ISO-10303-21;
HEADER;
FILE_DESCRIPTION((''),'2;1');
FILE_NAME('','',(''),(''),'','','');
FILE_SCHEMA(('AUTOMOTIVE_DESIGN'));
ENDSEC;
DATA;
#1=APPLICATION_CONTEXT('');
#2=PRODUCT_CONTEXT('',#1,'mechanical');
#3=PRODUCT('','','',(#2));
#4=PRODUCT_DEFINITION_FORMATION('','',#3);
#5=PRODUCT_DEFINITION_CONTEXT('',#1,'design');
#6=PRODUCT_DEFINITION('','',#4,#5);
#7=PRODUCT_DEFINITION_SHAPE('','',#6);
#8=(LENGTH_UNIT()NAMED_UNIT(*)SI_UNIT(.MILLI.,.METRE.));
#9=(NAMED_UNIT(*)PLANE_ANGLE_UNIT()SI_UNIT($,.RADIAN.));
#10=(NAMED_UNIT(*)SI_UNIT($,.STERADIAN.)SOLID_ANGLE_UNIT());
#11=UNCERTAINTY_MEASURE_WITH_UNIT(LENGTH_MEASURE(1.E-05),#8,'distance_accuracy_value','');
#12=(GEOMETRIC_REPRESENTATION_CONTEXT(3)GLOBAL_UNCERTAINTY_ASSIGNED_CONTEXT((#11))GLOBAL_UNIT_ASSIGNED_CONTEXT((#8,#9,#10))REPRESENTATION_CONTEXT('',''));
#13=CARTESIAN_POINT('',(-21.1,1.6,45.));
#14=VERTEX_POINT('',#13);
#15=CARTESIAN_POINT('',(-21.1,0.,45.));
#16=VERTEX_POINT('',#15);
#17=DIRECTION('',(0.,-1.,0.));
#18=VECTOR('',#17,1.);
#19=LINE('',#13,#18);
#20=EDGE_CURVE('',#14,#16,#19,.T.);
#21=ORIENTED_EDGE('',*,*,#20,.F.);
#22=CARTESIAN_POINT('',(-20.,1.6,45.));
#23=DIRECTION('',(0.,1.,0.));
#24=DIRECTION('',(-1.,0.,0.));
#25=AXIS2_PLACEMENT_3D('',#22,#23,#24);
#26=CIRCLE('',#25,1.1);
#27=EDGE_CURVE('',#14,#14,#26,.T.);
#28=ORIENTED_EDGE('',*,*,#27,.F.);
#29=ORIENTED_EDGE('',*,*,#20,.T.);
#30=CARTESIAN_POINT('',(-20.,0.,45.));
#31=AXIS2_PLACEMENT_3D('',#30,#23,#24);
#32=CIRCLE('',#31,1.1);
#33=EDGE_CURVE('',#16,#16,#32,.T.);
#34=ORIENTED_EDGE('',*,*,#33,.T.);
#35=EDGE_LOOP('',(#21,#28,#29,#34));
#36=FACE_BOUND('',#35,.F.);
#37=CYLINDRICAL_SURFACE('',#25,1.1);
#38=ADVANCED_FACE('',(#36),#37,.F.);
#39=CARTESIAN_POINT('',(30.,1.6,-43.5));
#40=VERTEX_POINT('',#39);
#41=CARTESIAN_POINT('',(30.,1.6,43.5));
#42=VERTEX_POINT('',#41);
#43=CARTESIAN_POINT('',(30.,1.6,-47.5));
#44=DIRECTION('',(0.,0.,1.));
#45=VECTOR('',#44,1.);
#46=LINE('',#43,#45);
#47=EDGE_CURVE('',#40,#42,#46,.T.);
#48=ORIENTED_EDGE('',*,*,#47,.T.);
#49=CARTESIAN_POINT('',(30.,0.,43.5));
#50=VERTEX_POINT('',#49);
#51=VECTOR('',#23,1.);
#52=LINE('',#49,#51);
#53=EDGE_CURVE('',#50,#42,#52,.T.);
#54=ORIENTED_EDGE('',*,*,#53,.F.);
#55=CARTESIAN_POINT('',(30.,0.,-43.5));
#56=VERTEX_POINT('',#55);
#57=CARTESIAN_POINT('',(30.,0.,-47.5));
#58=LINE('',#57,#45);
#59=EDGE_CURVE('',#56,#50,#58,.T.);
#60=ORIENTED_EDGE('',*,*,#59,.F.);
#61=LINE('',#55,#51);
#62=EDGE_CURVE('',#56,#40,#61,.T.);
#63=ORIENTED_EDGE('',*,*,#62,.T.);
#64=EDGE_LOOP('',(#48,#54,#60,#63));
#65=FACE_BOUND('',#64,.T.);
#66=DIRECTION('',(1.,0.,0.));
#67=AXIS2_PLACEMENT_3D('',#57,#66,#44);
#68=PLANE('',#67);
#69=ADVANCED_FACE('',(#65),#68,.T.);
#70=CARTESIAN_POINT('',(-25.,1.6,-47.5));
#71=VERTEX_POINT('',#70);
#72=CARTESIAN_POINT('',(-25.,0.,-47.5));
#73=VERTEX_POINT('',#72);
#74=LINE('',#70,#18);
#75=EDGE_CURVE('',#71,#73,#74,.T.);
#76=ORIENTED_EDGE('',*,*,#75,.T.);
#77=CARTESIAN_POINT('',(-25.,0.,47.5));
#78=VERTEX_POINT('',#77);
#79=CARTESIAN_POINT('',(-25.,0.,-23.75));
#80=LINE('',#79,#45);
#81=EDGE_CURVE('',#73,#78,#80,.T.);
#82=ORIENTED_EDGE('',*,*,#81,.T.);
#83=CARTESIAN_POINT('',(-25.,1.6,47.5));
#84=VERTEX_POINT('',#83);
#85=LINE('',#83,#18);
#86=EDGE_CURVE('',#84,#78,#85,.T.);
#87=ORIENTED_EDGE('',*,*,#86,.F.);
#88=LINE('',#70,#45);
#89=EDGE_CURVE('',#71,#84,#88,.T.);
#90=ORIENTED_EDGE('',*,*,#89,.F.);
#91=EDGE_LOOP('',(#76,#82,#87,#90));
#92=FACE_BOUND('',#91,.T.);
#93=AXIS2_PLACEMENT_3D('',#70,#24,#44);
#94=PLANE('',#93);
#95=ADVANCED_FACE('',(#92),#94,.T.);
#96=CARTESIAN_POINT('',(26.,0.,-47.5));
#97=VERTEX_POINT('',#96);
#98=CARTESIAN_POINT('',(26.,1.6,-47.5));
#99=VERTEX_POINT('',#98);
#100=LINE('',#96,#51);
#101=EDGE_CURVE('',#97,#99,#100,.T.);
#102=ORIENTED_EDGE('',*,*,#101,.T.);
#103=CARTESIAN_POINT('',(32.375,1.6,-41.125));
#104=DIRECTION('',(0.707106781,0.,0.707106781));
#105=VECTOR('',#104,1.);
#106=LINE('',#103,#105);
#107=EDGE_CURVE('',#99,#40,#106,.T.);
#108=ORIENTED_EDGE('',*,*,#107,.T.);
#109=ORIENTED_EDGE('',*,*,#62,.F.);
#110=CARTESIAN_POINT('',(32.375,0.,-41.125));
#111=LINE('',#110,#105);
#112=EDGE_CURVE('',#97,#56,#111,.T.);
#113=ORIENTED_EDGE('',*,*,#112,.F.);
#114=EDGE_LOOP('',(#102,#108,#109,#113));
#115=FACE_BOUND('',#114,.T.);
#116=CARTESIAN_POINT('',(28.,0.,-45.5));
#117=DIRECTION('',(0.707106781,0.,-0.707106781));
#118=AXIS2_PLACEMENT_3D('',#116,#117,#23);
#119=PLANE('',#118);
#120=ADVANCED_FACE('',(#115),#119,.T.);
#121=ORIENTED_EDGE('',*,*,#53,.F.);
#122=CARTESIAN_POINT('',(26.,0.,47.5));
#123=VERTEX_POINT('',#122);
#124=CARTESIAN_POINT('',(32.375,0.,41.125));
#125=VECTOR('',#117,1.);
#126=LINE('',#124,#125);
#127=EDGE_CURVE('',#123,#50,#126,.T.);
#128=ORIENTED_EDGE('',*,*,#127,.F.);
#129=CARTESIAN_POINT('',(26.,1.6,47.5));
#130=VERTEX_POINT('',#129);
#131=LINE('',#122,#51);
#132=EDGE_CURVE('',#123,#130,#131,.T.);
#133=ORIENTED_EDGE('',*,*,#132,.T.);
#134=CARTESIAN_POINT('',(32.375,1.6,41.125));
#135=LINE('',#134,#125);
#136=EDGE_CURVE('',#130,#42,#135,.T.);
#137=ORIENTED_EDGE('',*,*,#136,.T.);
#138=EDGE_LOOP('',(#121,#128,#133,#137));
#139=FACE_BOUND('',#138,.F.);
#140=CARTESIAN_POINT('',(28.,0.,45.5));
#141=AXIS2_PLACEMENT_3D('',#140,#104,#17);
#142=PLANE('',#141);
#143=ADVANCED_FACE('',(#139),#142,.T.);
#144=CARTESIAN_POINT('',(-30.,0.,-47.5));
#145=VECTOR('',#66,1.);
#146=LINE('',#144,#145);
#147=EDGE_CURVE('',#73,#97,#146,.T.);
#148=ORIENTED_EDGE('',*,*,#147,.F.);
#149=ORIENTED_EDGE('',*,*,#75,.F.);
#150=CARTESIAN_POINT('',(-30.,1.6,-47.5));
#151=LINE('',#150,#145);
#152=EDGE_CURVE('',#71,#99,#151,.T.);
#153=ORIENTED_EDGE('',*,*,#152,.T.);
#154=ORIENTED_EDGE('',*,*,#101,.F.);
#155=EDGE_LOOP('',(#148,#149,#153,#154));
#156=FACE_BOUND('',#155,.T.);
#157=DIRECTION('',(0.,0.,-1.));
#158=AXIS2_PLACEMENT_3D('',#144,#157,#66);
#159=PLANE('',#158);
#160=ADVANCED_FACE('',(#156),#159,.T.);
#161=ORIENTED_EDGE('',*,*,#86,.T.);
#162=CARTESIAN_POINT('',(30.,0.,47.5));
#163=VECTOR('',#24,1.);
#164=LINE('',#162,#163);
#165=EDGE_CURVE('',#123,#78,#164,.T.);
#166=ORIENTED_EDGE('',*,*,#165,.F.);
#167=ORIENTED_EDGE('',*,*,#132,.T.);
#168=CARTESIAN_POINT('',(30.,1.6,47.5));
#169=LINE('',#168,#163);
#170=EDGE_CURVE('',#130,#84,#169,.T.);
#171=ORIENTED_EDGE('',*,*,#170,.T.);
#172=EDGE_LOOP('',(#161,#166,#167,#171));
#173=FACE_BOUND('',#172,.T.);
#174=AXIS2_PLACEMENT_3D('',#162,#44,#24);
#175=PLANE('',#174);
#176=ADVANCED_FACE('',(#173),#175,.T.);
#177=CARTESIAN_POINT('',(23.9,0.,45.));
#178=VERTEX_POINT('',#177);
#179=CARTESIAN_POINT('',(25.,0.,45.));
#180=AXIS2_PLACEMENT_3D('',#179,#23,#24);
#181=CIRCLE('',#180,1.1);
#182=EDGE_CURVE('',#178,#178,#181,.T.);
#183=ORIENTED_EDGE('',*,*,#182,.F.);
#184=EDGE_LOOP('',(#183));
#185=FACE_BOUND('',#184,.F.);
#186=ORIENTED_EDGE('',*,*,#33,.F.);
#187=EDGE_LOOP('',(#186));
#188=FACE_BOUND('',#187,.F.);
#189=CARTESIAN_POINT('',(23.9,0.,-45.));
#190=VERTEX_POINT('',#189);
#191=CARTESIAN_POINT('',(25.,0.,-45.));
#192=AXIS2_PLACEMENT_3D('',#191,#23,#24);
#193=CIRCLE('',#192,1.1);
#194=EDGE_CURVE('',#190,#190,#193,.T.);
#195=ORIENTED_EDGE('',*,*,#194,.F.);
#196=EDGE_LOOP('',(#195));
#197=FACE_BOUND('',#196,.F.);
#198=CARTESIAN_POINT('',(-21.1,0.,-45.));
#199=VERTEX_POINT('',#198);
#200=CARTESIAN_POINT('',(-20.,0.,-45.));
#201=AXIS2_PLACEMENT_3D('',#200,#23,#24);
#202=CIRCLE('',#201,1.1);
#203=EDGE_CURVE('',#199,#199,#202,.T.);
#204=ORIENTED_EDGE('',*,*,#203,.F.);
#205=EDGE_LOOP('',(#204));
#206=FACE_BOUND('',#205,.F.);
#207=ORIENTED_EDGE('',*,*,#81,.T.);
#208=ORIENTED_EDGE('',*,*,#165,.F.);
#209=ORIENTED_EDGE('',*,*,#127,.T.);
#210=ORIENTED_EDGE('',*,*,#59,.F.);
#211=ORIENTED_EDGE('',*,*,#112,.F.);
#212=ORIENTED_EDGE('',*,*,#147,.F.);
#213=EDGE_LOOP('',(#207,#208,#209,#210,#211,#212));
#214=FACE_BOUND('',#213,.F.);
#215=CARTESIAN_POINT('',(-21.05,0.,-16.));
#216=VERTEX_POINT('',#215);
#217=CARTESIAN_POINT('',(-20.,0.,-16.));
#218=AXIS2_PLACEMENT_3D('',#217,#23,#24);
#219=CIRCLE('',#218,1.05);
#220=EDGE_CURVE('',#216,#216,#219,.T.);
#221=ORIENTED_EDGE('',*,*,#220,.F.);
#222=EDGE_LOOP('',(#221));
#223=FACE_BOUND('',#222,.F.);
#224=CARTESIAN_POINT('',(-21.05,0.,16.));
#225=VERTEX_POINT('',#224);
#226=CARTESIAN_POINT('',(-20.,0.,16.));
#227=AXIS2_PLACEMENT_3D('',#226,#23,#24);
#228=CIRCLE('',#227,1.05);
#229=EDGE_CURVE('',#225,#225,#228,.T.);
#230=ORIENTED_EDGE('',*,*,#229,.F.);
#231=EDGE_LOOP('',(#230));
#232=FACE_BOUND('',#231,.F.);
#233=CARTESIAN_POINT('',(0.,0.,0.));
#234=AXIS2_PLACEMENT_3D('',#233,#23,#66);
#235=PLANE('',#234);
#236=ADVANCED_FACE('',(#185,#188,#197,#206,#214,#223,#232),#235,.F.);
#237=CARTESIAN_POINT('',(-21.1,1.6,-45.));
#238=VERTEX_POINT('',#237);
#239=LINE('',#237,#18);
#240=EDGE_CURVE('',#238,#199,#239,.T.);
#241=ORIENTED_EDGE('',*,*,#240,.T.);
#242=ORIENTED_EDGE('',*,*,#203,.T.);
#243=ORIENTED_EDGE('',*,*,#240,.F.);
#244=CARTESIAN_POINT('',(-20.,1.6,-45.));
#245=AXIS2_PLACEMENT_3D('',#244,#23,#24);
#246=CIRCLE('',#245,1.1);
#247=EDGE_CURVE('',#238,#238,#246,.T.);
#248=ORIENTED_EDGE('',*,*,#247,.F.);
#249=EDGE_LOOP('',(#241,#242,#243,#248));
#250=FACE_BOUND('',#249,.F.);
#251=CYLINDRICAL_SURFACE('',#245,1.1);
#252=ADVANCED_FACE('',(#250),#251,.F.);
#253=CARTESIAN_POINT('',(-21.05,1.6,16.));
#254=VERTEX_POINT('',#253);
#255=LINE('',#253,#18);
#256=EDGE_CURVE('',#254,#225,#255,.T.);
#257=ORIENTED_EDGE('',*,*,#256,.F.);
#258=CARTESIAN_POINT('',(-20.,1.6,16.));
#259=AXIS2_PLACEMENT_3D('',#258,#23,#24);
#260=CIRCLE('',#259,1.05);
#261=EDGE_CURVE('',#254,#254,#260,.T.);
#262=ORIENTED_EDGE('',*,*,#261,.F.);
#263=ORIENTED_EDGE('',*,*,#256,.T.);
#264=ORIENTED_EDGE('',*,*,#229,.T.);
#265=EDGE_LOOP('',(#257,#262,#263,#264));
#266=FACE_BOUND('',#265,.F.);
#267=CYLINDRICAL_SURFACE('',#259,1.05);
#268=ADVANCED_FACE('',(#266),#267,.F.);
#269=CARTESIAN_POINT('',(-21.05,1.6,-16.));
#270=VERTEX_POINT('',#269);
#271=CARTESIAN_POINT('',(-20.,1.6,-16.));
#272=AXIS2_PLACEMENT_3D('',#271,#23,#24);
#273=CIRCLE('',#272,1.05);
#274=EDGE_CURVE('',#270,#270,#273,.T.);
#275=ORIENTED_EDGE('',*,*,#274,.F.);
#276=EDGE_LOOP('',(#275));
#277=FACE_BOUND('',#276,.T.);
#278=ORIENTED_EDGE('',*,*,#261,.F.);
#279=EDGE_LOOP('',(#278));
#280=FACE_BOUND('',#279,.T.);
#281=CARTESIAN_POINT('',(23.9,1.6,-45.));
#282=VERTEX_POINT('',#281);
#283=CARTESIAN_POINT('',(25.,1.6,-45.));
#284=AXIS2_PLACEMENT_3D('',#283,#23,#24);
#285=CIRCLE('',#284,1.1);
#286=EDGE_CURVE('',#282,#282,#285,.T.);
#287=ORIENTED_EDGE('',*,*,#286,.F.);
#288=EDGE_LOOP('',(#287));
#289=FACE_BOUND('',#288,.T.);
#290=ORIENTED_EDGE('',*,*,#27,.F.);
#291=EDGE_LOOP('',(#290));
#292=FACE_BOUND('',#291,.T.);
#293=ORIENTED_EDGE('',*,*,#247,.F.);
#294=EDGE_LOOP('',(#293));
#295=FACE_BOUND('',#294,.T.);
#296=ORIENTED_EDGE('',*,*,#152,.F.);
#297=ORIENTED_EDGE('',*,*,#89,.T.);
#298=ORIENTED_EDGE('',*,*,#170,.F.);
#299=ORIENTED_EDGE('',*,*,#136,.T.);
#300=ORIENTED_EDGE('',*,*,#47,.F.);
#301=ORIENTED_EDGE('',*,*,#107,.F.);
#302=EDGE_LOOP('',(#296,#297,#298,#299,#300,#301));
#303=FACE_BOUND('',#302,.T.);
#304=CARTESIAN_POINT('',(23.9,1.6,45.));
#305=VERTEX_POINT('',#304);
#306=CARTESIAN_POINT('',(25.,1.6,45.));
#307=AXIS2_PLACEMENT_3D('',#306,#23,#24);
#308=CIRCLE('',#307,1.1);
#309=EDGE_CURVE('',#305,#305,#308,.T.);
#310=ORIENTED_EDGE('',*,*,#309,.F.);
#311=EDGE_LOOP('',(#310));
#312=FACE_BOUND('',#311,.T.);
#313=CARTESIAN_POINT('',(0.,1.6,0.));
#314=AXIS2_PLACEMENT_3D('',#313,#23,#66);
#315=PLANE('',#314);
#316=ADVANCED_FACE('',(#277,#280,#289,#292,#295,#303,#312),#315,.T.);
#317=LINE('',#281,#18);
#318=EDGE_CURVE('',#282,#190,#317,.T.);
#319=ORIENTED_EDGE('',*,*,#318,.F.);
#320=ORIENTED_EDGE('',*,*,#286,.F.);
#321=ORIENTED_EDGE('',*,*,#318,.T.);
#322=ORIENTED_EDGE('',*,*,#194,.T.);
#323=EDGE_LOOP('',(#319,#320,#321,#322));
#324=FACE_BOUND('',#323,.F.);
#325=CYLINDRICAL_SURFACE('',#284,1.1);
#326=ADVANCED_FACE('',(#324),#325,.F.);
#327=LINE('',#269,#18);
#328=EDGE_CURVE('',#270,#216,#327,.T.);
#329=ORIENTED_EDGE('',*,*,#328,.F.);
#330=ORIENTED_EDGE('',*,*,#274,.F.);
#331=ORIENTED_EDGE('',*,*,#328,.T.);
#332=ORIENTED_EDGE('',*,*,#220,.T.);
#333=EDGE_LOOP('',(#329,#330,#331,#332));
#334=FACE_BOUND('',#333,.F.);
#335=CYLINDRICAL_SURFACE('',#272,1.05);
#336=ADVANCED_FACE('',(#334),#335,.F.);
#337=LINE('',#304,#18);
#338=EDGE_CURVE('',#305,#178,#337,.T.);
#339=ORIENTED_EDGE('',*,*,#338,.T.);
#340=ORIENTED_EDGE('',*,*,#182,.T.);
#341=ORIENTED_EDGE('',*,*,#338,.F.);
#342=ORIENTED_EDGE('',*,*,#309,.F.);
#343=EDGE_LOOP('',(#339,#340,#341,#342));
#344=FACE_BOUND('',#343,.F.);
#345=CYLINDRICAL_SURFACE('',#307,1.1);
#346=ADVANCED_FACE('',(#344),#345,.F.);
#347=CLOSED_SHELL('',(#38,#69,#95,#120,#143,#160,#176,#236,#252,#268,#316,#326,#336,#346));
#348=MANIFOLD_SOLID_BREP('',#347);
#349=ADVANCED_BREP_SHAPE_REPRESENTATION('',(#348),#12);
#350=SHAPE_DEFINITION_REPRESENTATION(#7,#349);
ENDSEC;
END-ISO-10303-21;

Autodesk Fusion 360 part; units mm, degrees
sketch "Sketch1" plane through (0, 0, 0) normal (0, 1, 0) x (1, 0, 0)
  line L0 (30, -47.5) -> (-30, -47.5)
  line L1 (-30, -47.5) -> (-30, 47.5)
  line L2 (-30, 47.5) -> (30, 47.5)
  line L3 (30, 47.5) -> (30, -47.5)
  line L4 (30, -47.5) -> (-30, 47.5) construction
  line L5 (-30, -47.5) -> (30, 47.5) construction
  dimension "d1" = 60
  dimension "d2" = 95
extrude "Extrude1" add sketch "Sketch1" along normal blind 1.6
chamfer "Chamfer1" distance 4 angle 45 2 edges at (30, 0.8, 47.5) (30, 0.8, -47.5)
sketch "Sketch2" plane through (0, 1.6, 0) normal (0, 1, 0) x (-1, 0, 0)
  line L0 (-30, -43.5) -> (-26, -47.5)
  line L1 (-26, -47.5) -> (30, -47.5)
  line L2 (30, -47.5) -> (30, 47.5)
  line L3 (30, 47.5) -> (-26, 47.5)
  line L4 (-26, 47.5) -> (-30, 43.5)
  line L5 (-30, 43.5) -> (-30, -43.5)
  line L6 (30, 0) -> (-12.828, 0) construction
  line L7 (30, -47.5) -> (25, -47.5)
  line L8 (25, -47.5) -> (25, 47.5)
  line L9 (25, 47.5) -> (30, 47.5)
  line L10 (30, 47.5) -> (30, -47.5)
  dimension "d24" = 5
extrude "Extrude2" cut sketch "Sketch2" against normal through all contours L1 L2 L3 L7 L8 L9 L10
sketch "Sketch3" plane through (0, 1.6, 0) normal (0, 1, 0) x (-1, 0, 0)
  line L0 (25, 47.5) -> (-26, 47.5)
  line L1 (-26, 47.5) -> (-30, 43.5)
  line L2 (-30, 43.5) -> (-30, -43.5)
  line L3 (-30, -43.5) -> (-26, -47.5)
  line L4 (-26, -47.5) -> (25, -47.5)
  circle A0 centre (20, -45) radius 1.1
  line L5 (25, -47.5) -> (25, 47.5)
  dimension "d11" = 20
  dimension "d12" = 45
  dimension "d13" = 2.2
extrude "Extrude3" cut sketch "Sketch3" against normal through all contours A0
pattern_linear "R-Pattern1" count 2 spacing 45 along (1, 0, 0) count 2 spacing 90 along (0, 0, 1) of "Extrude3"
sketch "Sketch4" plane through (0, 1.6, 0) normal (0, 1, 0) x (-1, 0, 0)
  circle A0 centre (20, 45) radius 1.1
  circle A1 centre (20, -45) radius 1.1
  line L0 (25, 47.5) -> (-26, 47.5)
  line L1 (-26, 47.5) -> (-30, 43.5)
  line L2 (-30, 43.5) -> (-30, -43.5)
  line L3 (-30, -43.5) -> (-26, -47.5)
  line L4 (-26, -47.5) -> (25, -47.5)
  line L5 (20, -24) -> (20, 17) construction
  line L6 (0, 0) -> (36, 0) construction
  circle A2 centre (20, -16) radius 1.05
  circle A3 centre (20, 16) radius 1.05
  circle A4 centre (-25, 45) radius 1.1
  circle A5 centre (-25, -45) radius 1.1
  line L7 (25, -47.5) -> (25, 47.5)
  dimension "d19" = 32
  dimension "d20" = 16
  dimension "d21" = 20
  dimension "d22" = 2.1
extrude "Extrude4" cut sketch "Sketch4" against normal through all contours A2 | A3
